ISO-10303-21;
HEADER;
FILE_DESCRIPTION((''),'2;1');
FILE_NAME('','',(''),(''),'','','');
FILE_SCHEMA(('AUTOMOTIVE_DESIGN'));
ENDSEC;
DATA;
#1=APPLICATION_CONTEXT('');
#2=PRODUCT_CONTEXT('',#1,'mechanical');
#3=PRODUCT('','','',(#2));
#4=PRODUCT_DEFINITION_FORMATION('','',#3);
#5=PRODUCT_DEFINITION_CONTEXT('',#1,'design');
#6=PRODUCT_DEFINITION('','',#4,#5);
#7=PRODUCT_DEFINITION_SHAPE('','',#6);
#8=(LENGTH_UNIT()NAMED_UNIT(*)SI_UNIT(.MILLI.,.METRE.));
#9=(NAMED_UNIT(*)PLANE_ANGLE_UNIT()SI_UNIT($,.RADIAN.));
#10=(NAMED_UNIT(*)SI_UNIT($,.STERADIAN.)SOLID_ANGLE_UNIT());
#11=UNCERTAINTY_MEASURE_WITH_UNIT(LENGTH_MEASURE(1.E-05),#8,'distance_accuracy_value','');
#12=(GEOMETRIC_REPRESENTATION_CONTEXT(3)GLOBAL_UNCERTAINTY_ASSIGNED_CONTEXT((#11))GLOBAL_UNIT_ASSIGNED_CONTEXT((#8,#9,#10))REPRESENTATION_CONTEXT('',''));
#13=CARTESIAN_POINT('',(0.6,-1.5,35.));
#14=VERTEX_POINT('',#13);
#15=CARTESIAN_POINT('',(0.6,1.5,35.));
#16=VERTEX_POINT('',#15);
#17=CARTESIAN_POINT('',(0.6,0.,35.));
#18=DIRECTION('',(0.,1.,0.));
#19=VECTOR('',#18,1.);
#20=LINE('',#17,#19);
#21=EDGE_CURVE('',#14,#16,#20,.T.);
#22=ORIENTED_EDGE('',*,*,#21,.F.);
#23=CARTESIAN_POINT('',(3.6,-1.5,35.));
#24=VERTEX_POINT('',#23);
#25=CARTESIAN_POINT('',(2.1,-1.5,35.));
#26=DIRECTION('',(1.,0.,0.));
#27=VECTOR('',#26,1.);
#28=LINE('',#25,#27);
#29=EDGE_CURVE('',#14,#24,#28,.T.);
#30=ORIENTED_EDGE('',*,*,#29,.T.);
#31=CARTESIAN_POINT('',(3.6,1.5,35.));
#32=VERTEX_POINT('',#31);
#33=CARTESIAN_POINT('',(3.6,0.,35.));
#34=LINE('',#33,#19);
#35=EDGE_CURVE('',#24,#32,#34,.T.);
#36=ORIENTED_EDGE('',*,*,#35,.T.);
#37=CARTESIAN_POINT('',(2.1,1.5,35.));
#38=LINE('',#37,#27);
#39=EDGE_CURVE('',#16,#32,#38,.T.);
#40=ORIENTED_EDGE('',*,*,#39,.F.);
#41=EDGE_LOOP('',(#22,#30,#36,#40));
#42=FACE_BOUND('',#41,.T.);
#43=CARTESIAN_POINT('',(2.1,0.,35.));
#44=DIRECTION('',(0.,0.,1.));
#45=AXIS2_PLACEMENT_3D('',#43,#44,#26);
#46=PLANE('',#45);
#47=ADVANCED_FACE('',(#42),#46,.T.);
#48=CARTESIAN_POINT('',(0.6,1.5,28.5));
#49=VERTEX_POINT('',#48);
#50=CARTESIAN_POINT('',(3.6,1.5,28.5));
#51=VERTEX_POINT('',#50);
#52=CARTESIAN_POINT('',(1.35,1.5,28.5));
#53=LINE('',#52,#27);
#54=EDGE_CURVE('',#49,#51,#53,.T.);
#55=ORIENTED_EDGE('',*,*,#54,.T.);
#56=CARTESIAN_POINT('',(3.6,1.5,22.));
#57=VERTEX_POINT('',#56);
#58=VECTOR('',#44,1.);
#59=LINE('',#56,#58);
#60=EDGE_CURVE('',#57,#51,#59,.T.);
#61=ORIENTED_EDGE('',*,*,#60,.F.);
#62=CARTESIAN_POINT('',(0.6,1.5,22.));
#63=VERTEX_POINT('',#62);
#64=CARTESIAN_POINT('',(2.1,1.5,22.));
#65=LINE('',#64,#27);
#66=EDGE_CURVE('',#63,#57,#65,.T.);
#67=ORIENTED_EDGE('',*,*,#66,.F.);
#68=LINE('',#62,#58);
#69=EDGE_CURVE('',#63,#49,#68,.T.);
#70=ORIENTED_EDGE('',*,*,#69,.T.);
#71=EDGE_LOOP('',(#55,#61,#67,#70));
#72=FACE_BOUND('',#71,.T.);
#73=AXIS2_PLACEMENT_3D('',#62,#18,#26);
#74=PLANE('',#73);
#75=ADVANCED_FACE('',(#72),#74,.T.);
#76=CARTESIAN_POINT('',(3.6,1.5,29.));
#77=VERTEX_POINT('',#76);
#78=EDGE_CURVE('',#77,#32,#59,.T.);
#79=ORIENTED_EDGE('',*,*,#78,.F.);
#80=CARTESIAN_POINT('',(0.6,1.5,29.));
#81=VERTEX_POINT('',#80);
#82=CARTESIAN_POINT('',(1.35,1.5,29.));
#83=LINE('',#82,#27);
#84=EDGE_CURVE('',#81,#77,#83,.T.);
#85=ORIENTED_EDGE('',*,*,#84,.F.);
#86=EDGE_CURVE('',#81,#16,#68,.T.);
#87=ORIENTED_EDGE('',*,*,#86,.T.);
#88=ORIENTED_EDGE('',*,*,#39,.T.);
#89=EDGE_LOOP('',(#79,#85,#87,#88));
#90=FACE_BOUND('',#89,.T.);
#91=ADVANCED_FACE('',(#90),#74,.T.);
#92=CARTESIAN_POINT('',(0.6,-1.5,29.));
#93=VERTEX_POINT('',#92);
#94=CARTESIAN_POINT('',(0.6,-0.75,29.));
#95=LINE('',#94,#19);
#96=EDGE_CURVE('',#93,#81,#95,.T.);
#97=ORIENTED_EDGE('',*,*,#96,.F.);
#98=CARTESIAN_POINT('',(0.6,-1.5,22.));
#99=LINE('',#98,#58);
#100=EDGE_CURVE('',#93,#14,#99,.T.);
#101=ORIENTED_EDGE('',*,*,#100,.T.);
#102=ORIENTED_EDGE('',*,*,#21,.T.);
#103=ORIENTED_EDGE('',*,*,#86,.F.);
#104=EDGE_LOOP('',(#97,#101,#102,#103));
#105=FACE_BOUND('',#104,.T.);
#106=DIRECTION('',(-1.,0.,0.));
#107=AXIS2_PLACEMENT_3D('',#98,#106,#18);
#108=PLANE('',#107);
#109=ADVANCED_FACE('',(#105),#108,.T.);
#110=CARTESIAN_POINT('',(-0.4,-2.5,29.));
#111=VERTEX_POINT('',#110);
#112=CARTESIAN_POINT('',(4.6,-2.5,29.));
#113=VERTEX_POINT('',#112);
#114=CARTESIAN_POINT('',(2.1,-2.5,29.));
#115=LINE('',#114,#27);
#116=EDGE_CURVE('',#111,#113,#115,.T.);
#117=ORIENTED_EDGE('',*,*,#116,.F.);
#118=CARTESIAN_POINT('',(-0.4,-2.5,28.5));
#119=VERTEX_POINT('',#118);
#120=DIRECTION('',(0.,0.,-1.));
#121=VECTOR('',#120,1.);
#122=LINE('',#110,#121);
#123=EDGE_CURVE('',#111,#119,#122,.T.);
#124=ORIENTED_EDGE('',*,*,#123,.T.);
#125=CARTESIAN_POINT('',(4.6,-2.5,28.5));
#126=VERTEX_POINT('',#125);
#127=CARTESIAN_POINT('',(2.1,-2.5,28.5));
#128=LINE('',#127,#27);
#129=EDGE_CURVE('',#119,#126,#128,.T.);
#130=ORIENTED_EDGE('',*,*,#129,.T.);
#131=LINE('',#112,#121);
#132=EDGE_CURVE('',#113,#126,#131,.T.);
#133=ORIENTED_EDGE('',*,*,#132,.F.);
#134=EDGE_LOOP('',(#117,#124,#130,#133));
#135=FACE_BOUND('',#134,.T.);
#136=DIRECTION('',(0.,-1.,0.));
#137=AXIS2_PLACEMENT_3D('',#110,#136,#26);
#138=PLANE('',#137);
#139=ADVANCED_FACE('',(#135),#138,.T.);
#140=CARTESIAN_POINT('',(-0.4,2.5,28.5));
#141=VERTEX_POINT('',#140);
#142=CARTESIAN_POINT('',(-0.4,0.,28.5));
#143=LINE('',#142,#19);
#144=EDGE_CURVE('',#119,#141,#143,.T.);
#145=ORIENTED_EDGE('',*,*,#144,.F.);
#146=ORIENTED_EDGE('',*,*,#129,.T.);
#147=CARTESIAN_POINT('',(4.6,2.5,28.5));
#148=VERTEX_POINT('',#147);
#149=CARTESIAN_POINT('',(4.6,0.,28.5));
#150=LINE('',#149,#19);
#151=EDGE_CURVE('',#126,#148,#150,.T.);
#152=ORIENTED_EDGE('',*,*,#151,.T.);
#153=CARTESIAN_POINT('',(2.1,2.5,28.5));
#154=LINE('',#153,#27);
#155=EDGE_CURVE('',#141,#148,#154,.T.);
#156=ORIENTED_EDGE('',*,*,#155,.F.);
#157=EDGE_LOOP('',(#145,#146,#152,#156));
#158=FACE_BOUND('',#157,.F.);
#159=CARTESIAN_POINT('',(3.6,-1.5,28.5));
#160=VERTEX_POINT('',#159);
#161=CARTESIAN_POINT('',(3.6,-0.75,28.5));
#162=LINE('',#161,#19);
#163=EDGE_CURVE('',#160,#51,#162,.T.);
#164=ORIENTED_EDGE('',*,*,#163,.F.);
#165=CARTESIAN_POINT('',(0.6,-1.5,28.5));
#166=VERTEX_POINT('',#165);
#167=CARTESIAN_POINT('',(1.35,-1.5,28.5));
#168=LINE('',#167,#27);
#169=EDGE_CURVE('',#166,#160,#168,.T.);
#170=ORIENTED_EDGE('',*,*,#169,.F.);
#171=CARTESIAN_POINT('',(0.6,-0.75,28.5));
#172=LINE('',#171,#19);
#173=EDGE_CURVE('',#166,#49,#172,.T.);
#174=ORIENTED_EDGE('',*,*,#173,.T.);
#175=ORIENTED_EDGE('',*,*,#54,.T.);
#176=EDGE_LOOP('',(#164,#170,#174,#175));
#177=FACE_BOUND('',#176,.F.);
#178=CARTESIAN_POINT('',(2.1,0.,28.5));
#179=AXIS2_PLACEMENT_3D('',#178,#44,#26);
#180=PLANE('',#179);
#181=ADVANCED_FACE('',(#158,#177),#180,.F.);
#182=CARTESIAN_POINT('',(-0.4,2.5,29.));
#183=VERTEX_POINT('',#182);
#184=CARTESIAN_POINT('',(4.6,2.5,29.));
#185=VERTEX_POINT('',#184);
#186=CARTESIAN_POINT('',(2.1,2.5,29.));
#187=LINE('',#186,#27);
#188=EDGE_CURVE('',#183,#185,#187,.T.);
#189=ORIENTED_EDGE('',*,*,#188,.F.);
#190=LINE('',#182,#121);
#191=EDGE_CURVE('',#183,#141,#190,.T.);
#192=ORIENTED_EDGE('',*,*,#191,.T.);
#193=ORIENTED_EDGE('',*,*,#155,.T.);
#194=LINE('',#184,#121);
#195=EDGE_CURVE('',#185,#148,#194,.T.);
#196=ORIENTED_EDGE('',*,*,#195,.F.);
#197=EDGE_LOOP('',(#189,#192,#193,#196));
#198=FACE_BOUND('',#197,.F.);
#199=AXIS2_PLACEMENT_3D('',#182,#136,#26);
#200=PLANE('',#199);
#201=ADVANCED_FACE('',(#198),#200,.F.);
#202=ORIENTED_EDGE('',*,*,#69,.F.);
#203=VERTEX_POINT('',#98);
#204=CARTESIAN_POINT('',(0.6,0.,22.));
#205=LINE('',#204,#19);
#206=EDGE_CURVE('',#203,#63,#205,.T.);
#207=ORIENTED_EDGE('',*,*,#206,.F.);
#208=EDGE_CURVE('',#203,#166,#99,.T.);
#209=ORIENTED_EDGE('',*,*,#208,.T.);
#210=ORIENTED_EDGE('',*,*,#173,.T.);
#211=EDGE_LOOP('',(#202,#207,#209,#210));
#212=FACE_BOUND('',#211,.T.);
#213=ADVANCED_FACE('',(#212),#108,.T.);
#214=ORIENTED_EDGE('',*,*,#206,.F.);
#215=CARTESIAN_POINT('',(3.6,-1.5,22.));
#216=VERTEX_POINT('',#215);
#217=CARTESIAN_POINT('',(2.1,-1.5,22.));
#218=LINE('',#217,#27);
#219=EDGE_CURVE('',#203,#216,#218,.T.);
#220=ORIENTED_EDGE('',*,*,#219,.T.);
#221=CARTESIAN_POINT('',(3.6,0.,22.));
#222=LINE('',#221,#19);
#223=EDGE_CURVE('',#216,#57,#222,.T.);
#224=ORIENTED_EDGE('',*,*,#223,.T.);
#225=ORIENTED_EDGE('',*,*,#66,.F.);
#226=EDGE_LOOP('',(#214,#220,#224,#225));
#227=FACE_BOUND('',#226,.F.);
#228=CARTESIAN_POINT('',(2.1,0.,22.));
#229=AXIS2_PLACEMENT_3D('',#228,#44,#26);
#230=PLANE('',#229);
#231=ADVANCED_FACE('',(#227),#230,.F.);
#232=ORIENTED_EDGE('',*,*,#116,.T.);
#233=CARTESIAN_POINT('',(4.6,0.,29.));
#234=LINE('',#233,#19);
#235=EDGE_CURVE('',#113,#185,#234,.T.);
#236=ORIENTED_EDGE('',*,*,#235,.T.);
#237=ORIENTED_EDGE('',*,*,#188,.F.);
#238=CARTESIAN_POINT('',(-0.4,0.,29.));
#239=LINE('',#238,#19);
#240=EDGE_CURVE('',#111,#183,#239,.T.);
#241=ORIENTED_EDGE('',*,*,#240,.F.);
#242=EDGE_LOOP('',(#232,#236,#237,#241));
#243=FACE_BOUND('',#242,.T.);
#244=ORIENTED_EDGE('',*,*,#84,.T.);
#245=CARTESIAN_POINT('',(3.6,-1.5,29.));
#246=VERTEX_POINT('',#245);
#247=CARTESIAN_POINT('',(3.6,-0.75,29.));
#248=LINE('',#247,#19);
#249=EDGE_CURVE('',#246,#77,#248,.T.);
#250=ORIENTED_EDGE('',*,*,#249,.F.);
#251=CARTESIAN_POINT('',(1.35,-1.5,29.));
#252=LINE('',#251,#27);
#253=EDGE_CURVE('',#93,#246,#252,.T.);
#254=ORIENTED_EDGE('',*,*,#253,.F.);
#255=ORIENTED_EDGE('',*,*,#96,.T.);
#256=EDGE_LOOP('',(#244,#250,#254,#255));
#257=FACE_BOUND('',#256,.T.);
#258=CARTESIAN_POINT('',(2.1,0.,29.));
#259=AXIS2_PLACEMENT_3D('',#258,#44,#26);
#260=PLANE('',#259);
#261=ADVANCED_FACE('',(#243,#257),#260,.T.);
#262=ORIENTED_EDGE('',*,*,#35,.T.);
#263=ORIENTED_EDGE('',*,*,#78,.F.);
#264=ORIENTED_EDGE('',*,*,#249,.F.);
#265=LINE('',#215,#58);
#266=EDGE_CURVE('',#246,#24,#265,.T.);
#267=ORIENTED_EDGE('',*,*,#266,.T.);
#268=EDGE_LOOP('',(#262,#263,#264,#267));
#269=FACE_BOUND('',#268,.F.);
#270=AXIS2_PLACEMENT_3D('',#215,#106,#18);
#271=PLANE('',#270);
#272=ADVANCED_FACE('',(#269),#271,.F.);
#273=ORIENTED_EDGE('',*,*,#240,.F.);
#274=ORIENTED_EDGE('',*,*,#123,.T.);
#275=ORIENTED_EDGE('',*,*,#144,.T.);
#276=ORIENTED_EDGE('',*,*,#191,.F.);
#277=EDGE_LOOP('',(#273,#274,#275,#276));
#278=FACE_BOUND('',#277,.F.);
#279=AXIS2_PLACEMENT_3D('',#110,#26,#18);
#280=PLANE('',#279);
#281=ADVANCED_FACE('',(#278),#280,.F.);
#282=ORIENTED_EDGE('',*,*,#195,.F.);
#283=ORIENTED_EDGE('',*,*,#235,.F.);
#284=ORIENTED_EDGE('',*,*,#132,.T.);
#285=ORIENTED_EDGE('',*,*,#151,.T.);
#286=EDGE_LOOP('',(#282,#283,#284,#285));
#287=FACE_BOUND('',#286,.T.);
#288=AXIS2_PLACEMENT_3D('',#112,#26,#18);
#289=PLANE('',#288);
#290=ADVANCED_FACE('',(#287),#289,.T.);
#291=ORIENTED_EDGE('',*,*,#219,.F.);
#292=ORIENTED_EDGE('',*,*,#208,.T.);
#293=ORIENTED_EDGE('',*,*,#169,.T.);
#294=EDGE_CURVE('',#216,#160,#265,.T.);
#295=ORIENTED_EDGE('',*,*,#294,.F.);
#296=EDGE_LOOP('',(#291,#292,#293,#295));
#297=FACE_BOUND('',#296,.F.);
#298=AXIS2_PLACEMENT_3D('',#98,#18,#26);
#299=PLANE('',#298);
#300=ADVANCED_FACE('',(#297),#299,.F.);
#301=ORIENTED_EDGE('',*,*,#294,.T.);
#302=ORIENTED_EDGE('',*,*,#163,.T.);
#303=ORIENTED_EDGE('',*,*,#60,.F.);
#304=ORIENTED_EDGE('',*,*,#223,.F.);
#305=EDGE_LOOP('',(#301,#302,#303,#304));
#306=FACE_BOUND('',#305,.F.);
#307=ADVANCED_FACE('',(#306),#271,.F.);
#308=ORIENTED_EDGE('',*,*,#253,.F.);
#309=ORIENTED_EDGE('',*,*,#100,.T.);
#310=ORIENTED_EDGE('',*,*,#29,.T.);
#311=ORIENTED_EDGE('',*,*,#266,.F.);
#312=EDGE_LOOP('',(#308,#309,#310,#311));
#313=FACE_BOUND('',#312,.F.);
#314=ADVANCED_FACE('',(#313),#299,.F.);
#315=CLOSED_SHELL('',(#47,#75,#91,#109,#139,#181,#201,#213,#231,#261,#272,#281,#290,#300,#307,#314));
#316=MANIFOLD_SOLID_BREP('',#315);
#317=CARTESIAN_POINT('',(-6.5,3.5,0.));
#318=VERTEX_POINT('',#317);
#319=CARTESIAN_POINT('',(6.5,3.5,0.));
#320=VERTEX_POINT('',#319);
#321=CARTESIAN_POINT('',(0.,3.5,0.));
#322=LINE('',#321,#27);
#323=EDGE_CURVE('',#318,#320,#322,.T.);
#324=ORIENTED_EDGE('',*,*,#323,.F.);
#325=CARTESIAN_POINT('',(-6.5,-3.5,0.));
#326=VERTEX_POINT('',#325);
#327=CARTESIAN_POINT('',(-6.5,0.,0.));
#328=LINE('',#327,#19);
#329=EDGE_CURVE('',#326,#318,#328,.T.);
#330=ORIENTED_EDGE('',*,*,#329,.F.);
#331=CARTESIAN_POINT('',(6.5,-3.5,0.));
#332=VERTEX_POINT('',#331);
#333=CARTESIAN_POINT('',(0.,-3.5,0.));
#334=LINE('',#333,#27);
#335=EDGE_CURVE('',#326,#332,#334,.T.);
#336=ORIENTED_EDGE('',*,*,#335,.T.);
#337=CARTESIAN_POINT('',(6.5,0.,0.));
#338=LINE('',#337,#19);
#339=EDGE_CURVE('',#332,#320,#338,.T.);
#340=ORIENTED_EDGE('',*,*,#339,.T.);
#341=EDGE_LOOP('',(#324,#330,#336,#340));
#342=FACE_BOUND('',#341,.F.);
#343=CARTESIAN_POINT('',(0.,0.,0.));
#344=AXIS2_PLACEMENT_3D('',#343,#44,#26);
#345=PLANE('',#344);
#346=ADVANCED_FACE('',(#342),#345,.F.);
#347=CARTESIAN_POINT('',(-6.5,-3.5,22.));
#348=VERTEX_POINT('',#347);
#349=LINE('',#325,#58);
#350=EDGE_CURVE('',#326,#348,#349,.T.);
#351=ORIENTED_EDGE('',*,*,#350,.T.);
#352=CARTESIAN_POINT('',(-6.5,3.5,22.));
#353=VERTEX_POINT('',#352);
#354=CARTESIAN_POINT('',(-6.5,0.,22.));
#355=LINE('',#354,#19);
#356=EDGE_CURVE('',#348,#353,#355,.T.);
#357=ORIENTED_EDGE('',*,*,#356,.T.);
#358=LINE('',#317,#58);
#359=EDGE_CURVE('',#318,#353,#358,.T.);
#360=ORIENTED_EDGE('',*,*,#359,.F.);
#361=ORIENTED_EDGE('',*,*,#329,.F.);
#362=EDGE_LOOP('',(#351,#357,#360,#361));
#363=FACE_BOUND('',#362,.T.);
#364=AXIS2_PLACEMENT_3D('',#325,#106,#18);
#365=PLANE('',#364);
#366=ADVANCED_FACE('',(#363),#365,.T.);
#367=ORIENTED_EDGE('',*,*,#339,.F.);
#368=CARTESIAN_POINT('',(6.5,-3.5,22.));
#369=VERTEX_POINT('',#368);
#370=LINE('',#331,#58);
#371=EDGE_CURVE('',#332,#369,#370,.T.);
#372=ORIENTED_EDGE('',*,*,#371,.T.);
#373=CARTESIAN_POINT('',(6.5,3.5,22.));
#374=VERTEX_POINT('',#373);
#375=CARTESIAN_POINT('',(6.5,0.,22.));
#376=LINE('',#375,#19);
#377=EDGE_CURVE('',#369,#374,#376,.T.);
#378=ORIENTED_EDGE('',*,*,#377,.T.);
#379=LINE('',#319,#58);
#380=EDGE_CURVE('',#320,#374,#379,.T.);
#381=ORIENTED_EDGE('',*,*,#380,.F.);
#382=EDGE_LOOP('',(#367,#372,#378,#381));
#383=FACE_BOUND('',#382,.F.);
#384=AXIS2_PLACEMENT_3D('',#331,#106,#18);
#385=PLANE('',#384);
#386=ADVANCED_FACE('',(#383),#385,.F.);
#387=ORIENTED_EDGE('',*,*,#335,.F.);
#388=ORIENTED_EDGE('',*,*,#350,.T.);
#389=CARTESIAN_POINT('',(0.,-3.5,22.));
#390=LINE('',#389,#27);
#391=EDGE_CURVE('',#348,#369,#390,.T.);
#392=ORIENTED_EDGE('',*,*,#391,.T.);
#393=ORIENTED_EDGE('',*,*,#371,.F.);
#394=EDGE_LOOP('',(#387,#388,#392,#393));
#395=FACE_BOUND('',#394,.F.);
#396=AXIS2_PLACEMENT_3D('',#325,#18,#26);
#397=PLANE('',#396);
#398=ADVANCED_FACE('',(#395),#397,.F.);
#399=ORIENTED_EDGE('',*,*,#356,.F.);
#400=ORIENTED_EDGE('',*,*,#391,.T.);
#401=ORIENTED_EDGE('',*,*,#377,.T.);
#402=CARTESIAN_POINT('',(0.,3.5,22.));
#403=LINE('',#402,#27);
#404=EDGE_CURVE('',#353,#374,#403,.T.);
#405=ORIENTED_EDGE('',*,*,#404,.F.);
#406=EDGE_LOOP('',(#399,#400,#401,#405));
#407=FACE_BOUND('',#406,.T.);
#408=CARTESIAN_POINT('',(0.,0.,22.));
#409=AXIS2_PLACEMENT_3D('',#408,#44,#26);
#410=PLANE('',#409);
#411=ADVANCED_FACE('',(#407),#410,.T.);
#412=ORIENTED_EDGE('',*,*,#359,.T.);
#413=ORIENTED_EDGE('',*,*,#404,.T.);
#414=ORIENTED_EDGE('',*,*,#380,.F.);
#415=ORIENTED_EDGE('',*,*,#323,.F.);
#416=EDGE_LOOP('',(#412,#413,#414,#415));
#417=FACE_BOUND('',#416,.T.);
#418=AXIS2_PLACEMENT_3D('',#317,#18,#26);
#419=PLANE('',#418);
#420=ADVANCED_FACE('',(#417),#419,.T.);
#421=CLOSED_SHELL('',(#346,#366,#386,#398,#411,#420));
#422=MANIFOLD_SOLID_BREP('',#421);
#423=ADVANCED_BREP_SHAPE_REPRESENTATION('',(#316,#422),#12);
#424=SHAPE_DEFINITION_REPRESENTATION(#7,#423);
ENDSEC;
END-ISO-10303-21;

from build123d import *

# Parameters (mm, degrees)
F0_W     = 13
F0_H     = 7
F1_DEPTH = 22
F2_W     = 3
F2_H     = 3
F3_DEPTH = 13
F5_W     = 5
F5_H     = 5
F6_DEPTH = 0.5


with BuildPart() as f1:
    # F0 (on Top) → F1 (new body)
    with BuildSketch(Plane.XY):
        Rectangle(F0_W, F0_H)
    extrude(amount=F1_DEPTH)


with BuildPart() as f3:
    # F2 (on face) → F3 (new body)
    with BuildSketch(Plane.XY.offset(22)):
        with Locations((2.1, 0)):
            Rectangle(F2_W, F2_H)
    extrude(amount=F3_DEPTH)

    # F5 (on offset) → F6 (join)
    with BuildSketch(Plane.XY.offset(29)):
        with Locations((2.1, 0)):
            Rectangle(F5_W, F5_H)
    extrude(amount=-F6_DEPTH)


solid = Compound([f1.part, f3.part])
